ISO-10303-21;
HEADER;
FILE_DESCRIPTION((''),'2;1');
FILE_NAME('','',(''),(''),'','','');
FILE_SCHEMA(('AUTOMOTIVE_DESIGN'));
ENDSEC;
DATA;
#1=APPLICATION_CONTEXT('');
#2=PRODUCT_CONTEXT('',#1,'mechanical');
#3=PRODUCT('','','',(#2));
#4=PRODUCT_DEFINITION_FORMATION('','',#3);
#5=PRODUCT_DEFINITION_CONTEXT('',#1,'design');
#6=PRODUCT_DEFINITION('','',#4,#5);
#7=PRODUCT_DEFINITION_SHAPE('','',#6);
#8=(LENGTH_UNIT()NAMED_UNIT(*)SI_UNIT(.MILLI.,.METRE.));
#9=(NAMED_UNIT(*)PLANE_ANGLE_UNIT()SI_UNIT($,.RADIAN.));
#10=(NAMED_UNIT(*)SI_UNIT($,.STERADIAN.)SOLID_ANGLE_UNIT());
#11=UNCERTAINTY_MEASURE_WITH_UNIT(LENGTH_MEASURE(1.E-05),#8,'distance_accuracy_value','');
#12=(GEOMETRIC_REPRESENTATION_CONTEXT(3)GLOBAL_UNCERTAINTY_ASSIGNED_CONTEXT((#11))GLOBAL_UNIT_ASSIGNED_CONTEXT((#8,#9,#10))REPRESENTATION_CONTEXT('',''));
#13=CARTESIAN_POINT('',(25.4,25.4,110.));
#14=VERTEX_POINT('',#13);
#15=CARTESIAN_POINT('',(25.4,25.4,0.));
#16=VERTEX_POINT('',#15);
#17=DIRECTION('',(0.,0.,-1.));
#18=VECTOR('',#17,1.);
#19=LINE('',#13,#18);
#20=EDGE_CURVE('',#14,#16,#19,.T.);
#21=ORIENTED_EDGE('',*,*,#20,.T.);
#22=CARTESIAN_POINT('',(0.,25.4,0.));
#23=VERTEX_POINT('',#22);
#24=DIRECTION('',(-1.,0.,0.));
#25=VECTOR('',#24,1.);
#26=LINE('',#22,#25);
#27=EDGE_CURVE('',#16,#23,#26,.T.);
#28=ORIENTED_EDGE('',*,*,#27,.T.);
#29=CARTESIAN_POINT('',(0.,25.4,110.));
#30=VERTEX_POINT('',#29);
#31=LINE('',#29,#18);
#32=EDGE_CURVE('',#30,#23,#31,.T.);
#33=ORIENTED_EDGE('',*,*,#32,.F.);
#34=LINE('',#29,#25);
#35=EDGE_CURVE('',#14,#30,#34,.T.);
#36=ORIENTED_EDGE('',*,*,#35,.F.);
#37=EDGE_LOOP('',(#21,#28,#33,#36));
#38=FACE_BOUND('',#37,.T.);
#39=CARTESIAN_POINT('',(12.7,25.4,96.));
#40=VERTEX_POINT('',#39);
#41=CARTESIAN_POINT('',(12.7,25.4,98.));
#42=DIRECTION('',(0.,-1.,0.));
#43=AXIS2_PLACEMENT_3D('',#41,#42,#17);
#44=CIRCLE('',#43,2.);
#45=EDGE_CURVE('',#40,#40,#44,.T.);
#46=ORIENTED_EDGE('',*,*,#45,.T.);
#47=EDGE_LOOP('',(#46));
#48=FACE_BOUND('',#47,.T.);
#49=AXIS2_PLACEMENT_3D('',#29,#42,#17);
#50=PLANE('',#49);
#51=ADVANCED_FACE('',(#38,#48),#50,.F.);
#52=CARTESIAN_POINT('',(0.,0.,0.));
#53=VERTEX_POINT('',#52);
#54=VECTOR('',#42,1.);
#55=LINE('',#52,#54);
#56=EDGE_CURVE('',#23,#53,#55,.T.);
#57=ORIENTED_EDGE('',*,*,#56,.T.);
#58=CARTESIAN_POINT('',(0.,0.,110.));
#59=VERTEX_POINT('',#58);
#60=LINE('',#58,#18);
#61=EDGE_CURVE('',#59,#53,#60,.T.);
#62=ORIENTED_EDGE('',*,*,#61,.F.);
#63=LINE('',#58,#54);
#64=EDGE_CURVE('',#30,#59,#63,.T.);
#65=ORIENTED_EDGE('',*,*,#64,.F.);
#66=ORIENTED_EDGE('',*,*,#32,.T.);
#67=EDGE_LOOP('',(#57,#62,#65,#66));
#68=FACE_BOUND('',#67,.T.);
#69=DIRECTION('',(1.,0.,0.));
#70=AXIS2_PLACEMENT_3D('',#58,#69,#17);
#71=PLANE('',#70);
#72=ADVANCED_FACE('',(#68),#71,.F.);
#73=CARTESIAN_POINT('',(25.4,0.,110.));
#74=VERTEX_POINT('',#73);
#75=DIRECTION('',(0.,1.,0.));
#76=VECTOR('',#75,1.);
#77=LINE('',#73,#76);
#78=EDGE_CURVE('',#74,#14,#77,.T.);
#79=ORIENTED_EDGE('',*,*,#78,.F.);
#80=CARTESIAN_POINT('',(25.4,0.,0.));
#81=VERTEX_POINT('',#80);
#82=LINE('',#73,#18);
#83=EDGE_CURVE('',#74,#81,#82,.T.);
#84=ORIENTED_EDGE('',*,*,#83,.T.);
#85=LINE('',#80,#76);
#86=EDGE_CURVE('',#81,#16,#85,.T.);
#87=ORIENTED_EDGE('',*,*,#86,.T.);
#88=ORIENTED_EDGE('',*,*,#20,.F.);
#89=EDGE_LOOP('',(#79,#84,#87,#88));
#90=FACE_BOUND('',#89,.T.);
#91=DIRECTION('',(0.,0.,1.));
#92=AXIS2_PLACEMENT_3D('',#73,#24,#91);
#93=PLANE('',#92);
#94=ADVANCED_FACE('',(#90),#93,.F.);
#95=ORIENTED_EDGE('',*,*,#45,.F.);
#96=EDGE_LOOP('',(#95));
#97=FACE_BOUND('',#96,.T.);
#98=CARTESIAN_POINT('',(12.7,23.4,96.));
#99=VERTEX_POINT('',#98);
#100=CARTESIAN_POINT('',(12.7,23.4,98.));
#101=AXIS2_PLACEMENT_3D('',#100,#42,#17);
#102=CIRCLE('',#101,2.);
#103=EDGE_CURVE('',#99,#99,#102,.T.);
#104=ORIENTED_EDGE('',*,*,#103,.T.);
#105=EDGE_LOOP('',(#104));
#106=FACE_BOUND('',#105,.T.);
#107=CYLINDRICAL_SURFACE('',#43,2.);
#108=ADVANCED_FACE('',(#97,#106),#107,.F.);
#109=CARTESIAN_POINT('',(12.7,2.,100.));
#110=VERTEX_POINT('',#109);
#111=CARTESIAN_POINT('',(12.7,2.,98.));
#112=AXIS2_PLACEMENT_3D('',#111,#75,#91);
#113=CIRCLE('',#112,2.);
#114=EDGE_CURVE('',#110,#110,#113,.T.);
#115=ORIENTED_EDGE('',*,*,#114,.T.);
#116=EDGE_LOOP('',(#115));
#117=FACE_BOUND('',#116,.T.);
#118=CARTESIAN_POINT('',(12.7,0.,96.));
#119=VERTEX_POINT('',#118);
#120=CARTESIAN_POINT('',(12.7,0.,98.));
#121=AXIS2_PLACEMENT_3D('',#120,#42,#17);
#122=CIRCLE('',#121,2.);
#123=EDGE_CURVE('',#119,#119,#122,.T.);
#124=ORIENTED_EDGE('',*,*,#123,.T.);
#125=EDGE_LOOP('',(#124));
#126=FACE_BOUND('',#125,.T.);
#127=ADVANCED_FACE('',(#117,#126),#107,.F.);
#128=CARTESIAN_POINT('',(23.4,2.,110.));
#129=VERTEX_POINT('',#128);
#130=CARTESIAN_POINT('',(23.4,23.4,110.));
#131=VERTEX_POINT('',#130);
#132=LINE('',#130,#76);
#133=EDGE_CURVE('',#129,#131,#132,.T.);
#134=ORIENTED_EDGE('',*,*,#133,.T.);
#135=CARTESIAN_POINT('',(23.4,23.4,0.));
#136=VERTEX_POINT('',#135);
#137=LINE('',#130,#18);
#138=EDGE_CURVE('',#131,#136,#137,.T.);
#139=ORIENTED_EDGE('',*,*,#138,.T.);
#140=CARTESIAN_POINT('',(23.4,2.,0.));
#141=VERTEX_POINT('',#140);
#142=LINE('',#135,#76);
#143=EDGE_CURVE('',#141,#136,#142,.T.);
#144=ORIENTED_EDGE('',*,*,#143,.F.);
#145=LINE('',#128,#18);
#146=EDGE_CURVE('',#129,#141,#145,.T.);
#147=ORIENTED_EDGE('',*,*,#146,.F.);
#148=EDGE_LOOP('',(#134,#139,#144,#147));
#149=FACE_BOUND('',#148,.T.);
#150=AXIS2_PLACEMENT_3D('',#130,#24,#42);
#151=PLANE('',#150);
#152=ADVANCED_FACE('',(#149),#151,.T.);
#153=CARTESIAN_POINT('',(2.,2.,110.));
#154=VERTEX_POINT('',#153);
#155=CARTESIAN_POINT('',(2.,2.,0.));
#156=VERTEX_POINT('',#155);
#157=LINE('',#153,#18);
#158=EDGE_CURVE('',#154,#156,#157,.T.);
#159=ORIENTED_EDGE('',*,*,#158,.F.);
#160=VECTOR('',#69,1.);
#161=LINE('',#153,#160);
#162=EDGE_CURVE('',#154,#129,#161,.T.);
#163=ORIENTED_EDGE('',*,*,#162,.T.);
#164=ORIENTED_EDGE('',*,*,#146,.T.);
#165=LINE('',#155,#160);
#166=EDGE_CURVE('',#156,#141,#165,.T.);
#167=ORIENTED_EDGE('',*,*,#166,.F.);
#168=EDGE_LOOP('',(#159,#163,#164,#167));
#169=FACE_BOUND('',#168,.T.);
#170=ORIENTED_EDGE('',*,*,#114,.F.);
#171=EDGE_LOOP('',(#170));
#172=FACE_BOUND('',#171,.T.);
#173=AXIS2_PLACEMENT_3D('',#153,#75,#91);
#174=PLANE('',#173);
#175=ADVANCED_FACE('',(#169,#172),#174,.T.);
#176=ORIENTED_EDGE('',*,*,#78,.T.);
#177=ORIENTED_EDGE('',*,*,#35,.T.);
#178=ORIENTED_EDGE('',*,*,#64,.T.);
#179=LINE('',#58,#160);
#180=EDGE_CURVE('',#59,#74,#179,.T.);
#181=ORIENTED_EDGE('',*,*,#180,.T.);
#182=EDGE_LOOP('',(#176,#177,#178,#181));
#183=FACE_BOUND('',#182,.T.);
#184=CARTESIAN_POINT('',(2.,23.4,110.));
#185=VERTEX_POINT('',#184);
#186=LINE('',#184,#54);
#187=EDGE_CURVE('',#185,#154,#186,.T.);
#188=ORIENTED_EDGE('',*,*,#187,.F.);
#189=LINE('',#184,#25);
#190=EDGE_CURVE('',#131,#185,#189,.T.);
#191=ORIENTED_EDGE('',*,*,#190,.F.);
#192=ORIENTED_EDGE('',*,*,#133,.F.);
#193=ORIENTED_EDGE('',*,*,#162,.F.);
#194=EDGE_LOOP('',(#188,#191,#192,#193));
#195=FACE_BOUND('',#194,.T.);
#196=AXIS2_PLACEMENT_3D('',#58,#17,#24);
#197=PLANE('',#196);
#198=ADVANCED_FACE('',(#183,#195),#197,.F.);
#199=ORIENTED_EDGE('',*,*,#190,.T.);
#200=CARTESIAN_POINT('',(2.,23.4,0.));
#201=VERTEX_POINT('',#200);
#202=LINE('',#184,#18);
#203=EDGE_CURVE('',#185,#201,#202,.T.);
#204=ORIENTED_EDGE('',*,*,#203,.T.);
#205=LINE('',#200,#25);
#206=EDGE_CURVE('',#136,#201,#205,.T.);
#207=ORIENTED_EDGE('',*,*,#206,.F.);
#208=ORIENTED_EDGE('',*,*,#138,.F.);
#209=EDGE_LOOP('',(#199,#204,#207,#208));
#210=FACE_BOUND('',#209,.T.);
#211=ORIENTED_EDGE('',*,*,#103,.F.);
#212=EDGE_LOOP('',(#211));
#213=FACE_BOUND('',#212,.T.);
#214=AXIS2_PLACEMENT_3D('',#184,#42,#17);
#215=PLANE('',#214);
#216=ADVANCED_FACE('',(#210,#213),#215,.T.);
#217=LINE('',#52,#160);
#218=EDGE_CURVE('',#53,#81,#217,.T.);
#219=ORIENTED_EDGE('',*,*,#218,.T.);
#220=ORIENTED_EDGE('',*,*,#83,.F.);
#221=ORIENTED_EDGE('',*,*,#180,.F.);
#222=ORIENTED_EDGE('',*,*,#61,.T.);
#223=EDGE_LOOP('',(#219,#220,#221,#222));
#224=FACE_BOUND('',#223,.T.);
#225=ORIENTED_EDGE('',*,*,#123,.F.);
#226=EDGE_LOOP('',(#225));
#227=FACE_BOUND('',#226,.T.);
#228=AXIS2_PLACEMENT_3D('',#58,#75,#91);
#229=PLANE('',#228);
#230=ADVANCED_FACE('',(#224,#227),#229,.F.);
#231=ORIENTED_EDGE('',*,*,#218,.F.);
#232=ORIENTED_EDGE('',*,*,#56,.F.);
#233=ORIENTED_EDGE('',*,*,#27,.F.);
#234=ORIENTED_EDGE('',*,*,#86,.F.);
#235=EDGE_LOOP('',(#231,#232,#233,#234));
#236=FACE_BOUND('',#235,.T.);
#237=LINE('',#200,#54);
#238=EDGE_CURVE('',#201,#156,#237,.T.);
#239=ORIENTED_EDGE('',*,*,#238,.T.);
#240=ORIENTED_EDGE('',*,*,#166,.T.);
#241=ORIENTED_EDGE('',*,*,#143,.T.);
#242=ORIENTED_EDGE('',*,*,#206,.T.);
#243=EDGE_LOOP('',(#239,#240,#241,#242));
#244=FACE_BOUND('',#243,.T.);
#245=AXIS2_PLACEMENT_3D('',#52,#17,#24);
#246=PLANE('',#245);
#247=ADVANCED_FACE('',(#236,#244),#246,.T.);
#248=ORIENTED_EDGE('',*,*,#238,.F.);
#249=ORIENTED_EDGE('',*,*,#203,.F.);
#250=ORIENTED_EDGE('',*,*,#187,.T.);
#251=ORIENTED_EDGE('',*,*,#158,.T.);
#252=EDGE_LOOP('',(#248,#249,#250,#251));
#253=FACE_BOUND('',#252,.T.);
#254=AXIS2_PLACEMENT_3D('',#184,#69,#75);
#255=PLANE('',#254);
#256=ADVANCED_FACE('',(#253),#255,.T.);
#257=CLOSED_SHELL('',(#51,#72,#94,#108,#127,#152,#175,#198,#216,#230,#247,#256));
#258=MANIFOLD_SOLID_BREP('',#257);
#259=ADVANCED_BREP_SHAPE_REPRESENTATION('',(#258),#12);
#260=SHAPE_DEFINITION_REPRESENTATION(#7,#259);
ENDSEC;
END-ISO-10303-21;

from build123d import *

# Parameters (mm, degrees)
SKETCH1_W           = 25.4
SKETCH1_H           = 25.4
SKETCH1_W_2         = 21.4
SKETCH1_H_2         = 21.4
BOSS_EXTRUDE1_DEPTH = 110
SKETCH2_R           = 2
CUT_EXTRUDE1_DEPTH  = 26.4


with BuildPart() as part:
    # Sketch1 → Boss-Extrude1 (new body)
    with BuildSketch(Plane.XY):
        with Locations((12.7, 12.7)):
            Rectangle(SKETCH1_W, SKETCH1_H)
        with Locations((12.7, 12.7)):
            Rectangle(SKETCH1_W_2, SKETCH1_H_2, mode=Mode.SUBTRACT)
    extrude(amount=BOSS_EXTRUDE1_DEPTH)

    # Sketch2 → Cut-Extrude1 (cut, through all)
    with BuildSketch(Plane.XZ):
        with Locations((12.7, 98)):
            Circle(SKETCH2_R)
    extrude(amount=-CUT_EXTRUDE1_DEPTH, mode=Mode.SUBTRACT)


solid = part.part
